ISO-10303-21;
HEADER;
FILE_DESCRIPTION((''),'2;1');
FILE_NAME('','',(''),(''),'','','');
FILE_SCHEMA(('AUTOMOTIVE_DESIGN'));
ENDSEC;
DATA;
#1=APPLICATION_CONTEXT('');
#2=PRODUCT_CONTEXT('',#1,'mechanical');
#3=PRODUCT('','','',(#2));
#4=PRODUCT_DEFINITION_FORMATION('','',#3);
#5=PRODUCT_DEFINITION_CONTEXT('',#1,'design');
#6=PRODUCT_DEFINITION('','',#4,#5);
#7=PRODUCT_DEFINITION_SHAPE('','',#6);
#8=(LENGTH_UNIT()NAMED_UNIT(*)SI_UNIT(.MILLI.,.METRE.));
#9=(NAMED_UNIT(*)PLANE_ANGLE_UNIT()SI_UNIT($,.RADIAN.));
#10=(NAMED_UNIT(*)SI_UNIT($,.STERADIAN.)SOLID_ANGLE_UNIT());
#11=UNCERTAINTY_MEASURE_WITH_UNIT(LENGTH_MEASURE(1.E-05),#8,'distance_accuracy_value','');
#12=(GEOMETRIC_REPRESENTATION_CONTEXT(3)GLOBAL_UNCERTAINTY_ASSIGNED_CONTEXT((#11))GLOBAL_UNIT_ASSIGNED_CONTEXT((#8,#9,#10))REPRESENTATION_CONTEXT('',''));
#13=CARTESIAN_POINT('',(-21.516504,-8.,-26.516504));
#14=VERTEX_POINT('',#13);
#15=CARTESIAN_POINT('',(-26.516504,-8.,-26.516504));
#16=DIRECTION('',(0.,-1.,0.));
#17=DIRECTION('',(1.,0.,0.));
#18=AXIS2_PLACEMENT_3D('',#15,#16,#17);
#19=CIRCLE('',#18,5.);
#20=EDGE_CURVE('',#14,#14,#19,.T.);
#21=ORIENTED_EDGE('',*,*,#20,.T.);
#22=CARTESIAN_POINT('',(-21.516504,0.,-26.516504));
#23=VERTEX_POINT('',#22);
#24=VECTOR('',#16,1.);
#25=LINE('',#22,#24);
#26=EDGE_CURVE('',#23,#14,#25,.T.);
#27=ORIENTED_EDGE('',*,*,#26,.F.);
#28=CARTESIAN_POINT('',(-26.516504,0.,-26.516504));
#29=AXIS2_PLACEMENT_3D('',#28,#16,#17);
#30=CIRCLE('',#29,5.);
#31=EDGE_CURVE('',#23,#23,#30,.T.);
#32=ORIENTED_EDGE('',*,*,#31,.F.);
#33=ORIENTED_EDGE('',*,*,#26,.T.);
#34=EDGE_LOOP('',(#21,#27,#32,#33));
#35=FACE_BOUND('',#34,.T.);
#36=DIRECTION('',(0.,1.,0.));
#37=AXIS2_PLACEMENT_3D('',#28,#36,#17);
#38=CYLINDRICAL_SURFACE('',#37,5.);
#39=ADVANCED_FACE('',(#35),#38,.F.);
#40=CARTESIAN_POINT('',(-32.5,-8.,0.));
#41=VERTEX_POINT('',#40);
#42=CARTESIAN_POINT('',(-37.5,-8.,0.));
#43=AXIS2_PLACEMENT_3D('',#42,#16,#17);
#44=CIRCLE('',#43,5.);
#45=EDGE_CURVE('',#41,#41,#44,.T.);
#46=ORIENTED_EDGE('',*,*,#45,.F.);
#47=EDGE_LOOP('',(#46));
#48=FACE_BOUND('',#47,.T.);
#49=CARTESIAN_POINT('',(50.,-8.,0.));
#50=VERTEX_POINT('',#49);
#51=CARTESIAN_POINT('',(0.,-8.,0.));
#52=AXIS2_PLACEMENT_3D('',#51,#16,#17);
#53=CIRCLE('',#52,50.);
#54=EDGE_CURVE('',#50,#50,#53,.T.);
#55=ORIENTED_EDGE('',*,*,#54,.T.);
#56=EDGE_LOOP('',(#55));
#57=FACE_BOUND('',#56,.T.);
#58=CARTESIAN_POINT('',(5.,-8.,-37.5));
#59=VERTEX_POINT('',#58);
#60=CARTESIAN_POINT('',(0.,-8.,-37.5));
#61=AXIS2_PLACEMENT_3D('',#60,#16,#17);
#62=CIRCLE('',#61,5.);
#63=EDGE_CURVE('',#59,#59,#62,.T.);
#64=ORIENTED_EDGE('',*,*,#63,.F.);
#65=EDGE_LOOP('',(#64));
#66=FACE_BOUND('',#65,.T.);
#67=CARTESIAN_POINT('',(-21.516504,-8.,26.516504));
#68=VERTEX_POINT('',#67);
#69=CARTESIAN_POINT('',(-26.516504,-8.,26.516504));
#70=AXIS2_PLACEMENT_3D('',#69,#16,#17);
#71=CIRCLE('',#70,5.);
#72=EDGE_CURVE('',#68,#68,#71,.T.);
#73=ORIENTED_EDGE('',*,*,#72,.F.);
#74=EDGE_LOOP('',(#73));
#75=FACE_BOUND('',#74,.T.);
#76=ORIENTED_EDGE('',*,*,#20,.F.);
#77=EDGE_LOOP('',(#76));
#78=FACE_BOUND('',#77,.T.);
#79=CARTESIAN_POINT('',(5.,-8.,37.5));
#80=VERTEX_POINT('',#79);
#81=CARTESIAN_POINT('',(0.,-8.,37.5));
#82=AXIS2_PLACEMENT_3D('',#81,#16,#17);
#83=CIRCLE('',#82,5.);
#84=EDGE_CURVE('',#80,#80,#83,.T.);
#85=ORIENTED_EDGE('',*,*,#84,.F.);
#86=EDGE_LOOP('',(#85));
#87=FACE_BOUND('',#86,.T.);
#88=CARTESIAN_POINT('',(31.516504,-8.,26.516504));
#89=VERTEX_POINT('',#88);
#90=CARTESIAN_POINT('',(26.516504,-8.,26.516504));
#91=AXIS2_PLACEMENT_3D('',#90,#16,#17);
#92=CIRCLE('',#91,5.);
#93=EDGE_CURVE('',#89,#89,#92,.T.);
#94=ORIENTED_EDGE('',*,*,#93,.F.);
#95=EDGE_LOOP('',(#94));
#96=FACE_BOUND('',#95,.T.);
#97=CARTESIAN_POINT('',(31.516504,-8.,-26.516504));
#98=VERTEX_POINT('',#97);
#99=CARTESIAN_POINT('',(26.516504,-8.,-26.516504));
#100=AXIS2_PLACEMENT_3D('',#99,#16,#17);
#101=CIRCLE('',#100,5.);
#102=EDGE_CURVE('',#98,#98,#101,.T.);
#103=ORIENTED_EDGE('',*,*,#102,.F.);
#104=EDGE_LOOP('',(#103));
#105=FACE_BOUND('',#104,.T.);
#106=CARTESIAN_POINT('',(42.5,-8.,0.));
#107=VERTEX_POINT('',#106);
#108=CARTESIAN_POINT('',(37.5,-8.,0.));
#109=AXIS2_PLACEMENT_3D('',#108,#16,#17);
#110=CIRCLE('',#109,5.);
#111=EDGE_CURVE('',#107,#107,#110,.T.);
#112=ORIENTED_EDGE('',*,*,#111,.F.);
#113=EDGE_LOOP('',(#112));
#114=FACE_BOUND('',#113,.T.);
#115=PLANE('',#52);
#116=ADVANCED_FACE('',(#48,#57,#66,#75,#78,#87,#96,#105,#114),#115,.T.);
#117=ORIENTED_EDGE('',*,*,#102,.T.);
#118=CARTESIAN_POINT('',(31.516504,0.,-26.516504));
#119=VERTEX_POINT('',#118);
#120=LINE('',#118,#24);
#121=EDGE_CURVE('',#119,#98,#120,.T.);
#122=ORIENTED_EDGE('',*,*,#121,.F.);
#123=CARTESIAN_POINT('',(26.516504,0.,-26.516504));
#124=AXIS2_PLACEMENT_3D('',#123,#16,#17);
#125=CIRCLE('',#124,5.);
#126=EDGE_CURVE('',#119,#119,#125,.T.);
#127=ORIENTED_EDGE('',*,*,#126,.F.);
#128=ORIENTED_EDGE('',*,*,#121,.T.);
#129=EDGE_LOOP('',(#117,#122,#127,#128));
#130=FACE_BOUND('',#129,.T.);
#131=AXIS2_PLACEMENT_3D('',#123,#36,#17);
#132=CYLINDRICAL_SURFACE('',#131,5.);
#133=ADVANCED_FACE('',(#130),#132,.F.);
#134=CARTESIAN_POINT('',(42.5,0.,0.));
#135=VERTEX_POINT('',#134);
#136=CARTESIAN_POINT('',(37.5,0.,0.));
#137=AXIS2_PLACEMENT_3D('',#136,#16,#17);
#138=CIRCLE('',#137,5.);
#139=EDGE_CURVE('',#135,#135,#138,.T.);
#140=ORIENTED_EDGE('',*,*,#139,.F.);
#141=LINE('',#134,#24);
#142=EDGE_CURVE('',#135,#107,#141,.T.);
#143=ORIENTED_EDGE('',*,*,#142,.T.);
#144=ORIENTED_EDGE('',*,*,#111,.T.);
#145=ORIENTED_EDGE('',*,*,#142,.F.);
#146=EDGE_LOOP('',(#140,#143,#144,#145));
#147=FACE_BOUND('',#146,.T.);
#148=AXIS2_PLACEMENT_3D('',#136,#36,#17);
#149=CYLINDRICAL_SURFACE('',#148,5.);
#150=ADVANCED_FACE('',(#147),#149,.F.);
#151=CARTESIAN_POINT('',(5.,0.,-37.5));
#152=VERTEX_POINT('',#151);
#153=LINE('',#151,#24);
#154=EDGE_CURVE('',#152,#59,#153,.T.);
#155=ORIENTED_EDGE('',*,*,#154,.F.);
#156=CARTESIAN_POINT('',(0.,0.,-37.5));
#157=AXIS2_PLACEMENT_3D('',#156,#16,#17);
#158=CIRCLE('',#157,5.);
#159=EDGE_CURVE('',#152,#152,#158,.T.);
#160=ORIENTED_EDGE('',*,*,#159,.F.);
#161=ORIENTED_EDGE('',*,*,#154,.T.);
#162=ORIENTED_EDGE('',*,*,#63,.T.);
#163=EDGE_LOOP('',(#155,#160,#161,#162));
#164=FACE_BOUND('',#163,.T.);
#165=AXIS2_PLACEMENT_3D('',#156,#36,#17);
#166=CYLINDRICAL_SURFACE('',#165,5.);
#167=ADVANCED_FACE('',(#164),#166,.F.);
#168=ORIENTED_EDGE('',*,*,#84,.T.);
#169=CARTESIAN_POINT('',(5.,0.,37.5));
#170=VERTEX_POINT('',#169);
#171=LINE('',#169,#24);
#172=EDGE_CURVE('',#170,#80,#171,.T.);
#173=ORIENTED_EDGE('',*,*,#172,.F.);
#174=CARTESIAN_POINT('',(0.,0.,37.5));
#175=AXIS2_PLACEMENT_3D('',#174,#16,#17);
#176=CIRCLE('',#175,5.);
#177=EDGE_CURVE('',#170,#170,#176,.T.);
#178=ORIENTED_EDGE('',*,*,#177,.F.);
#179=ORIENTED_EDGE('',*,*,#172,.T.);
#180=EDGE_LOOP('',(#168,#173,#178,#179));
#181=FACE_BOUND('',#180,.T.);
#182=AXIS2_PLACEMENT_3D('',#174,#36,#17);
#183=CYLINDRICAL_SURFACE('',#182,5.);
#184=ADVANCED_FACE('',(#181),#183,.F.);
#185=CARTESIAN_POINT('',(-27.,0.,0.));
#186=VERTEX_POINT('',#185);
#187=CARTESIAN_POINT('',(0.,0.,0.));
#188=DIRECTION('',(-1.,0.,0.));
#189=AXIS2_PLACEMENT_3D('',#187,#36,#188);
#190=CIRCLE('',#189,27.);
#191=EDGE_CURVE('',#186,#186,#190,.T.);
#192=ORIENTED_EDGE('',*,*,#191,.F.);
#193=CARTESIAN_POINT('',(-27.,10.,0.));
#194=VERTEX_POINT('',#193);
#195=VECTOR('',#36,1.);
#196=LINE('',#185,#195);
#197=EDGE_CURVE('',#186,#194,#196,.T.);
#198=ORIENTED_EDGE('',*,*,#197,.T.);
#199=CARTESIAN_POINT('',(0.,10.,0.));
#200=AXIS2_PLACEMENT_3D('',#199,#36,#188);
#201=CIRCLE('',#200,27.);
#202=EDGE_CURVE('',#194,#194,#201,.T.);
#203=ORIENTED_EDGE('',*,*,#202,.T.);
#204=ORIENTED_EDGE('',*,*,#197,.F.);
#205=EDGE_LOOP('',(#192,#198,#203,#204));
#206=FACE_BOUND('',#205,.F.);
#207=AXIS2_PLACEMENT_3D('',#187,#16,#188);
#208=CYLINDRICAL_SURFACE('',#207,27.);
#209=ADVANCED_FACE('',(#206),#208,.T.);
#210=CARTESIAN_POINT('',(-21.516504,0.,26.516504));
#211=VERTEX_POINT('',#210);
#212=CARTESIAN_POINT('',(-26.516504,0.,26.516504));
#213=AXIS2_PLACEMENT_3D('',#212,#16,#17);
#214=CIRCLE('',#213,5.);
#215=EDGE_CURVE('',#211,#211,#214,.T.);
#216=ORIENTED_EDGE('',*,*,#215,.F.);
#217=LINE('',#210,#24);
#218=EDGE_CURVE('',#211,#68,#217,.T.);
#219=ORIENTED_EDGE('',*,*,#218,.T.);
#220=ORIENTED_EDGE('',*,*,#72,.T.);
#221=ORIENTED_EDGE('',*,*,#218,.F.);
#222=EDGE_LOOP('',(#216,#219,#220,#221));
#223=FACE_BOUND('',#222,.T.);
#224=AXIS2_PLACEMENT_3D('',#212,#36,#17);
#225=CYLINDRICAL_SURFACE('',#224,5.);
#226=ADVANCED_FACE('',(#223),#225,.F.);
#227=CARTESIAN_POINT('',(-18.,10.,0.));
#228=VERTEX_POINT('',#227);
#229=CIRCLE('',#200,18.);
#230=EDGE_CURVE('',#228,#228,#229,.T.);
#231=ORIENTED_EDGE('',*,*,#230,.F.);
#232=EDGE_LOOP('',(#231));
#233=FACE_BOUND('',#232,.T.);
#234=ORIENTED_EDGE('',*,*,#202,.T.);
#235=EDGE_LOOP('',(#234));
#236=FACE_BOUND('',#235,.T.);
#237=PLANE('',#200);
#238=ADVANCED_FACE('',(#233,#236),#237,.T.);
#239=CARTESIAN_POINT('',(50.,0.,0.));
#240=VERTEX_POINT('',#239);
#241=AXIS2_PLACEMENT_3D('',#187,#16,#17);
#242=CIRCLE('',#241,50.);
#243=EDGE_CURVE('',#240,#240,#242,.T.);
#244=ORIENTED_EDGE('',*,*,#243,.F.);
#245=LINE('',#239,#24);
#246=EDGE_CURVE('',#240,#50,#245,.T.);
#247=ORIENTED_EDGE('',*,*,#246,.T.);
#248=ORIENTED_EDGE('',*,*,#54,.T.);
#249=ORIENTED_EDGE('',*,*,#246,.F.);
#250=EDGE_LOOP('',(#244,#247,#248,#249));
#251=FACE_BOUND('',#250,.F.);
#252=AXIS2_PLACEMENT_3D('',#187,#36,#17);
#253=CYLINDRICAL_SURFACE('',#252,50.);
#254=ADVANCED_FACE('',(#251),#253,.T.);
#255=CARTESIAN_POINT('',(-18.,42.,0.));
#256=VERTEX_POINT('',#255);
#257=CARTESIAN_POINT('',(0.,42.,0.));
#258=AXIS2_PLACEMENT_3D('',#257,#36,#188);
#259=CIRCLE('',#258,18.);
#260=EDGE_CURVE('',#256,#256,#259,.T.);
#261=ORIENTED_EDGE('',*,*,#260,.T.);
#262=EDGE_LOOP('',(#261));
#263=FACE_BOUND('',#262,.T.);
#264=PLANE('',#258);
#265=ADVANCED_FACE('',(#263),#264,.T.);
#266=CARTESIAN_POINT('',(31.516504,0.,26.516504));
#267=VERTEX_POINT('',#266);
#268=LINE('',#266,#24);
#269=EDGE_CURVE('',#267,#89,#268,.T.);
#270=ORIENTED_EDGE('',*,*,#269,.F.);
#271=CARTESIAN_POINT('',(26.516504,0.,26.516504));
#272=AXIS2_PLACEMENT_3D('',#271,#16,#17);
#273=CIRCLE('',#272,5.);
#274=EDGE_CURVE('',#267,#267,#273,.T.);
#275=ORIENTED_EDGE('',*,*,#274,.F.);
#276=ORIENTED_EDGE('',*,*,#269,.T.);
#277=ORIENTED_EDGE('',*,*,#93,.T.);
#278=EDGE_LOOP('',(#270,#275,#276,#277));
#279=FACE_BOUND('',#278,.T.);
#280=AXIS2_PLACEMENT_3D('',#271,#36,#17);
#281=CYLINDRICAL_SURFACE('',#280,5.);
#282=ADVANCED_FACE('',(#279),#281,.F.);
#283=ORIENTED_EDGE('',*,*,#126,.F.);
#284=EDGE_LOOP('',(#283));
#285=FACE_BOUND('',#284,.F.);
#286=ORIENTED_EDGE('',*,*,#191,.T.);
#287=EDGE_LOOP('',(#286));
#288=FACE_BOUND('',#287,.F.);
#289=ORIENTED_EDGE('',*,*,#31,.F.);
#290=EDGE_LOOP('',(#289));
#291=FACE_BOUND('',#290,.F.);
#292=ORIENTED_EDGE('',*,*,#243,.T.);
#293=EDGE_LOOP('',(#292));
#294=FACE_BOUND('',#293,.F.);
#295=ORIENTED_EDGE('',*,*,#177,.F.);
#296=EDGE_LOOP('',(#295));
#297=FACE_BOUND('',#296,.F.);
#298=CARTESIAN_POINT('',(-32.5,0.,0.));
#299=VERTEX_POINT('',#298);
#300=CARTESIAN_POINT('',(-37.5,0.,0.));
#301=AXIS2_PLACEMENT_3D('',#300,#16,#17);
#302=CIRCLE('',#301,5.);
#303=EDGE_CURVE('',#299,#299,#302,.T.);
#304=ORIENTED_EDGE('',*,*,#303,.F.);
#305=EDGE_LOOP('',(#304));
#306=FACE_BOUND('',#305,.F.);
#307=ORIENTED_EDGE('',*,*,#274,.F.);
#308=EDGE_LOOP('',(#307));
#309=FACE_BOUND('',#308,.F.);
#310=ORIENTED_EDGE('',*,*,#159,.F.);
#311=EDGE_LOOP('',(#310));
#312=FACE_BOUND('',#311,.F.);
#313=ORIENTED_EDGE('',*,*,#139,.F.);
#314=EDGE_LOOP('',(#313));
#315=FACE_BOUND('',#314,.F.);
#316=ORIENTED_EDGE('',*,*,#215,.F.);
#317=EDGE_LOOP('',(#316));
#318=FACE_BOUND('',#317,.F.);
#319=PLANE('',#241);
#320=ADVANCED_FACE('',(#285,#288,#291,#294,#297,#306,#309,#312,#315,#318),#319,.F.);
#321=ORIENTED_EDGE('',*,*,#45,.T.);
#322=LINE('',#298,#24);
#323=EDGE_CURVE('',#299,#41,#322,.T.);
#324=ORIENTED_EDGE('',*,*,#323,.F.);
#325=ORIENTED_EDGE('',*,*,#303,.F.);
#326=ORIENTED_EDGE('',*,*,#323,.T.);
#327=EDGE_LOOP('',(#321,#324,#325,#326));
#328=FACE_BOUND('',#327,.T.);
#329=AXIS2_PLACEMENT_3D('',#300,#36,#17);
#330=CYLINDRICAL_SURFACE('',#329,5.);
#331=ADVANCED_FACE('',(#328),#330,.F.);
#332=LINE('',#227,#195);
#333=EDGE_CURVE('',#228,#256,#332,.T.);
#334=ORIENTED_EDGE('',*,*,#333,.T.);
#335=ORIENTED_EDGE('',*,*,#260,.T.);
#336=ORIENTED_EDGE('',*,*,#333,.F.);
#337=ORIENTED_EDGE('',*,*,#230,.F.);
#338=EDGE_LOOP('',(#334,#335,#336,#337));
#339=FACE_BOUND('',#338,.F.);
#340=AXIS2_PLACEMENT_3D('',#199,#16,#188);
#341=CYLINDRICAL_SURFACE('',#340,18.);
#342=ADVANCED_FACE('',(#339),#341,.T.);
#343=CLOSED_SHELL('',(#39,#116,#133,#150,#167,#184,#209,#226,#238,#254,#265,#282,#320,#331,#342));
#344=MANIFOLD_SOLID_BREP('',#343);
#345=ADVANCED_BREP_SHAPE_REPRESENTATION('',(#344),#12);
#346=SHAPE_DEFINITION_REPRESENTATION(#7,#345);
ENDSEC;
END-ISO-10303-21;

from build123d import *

# Parameters (mm, degrees)
F0_R     = 50
F0_R_2   = 5
F1_DEPTH = 8
F2_R     = 27
F3_DEPTH = 10
F4_R     = 18
F5_DEPTH = 32


with BuildPart() as f1:
    # F0 (on Front) → F1 (new body)
    with BuildSketch(Plane.XZ):
        Circle(F0_R)
        with Locations((-26.516504, -26.516504)):
            Circle(F0_R_2, mode=Mode.SUBTRACT)
        with Locations((0, -37.5)):
            Circle(F0_R_2, mode=Mode.SUBTRACT)
        with Locations((26.516504, -26.516504)):
            Circle(F0_R_2, mode=Mode.SUBTRACT)
        with Locations((-37.5, 0)):
            Circle(F0_R_2, mode=Mode.SUBTRACT)
        with Locations((-26.516504, 26.516504)):
            Circle(F0_R_2, mode=Mode.SUBTRACT)
        with Locations((37.5, 0)):
            Circle(F0_R_2, mode=Mode.SUBTRACT)
        with Locations((0, 37.5)):
            Circle(F0_R_2, mode=Mode.SUBTRACT)
        with Locations((26.516504, 26.516504)):
            Circle(F0_R_2, mode=Mode.SUBTRACT)
    extrude(amount=F1_DEPTH)

    # F2 (on face) → F3 (join)
    with BuildSketch(Plane(origin=(0, 0, 0), x_dir=(-1, 0, 0), z_dir=(0, 1, 0))):
        Circle(F2_R)
    extrude(amount=F3_DEPTH)

    # F4 (on face) → F5 (join)
    with BuildSketch(Plane(origin=(0, 10, 0), x_dir=(-1, 0, 0), z_dir=(0, 1, 0))):
        Circle(F4_R)
    extrude(amount=F5_DEPTH)


solid = f1.part
